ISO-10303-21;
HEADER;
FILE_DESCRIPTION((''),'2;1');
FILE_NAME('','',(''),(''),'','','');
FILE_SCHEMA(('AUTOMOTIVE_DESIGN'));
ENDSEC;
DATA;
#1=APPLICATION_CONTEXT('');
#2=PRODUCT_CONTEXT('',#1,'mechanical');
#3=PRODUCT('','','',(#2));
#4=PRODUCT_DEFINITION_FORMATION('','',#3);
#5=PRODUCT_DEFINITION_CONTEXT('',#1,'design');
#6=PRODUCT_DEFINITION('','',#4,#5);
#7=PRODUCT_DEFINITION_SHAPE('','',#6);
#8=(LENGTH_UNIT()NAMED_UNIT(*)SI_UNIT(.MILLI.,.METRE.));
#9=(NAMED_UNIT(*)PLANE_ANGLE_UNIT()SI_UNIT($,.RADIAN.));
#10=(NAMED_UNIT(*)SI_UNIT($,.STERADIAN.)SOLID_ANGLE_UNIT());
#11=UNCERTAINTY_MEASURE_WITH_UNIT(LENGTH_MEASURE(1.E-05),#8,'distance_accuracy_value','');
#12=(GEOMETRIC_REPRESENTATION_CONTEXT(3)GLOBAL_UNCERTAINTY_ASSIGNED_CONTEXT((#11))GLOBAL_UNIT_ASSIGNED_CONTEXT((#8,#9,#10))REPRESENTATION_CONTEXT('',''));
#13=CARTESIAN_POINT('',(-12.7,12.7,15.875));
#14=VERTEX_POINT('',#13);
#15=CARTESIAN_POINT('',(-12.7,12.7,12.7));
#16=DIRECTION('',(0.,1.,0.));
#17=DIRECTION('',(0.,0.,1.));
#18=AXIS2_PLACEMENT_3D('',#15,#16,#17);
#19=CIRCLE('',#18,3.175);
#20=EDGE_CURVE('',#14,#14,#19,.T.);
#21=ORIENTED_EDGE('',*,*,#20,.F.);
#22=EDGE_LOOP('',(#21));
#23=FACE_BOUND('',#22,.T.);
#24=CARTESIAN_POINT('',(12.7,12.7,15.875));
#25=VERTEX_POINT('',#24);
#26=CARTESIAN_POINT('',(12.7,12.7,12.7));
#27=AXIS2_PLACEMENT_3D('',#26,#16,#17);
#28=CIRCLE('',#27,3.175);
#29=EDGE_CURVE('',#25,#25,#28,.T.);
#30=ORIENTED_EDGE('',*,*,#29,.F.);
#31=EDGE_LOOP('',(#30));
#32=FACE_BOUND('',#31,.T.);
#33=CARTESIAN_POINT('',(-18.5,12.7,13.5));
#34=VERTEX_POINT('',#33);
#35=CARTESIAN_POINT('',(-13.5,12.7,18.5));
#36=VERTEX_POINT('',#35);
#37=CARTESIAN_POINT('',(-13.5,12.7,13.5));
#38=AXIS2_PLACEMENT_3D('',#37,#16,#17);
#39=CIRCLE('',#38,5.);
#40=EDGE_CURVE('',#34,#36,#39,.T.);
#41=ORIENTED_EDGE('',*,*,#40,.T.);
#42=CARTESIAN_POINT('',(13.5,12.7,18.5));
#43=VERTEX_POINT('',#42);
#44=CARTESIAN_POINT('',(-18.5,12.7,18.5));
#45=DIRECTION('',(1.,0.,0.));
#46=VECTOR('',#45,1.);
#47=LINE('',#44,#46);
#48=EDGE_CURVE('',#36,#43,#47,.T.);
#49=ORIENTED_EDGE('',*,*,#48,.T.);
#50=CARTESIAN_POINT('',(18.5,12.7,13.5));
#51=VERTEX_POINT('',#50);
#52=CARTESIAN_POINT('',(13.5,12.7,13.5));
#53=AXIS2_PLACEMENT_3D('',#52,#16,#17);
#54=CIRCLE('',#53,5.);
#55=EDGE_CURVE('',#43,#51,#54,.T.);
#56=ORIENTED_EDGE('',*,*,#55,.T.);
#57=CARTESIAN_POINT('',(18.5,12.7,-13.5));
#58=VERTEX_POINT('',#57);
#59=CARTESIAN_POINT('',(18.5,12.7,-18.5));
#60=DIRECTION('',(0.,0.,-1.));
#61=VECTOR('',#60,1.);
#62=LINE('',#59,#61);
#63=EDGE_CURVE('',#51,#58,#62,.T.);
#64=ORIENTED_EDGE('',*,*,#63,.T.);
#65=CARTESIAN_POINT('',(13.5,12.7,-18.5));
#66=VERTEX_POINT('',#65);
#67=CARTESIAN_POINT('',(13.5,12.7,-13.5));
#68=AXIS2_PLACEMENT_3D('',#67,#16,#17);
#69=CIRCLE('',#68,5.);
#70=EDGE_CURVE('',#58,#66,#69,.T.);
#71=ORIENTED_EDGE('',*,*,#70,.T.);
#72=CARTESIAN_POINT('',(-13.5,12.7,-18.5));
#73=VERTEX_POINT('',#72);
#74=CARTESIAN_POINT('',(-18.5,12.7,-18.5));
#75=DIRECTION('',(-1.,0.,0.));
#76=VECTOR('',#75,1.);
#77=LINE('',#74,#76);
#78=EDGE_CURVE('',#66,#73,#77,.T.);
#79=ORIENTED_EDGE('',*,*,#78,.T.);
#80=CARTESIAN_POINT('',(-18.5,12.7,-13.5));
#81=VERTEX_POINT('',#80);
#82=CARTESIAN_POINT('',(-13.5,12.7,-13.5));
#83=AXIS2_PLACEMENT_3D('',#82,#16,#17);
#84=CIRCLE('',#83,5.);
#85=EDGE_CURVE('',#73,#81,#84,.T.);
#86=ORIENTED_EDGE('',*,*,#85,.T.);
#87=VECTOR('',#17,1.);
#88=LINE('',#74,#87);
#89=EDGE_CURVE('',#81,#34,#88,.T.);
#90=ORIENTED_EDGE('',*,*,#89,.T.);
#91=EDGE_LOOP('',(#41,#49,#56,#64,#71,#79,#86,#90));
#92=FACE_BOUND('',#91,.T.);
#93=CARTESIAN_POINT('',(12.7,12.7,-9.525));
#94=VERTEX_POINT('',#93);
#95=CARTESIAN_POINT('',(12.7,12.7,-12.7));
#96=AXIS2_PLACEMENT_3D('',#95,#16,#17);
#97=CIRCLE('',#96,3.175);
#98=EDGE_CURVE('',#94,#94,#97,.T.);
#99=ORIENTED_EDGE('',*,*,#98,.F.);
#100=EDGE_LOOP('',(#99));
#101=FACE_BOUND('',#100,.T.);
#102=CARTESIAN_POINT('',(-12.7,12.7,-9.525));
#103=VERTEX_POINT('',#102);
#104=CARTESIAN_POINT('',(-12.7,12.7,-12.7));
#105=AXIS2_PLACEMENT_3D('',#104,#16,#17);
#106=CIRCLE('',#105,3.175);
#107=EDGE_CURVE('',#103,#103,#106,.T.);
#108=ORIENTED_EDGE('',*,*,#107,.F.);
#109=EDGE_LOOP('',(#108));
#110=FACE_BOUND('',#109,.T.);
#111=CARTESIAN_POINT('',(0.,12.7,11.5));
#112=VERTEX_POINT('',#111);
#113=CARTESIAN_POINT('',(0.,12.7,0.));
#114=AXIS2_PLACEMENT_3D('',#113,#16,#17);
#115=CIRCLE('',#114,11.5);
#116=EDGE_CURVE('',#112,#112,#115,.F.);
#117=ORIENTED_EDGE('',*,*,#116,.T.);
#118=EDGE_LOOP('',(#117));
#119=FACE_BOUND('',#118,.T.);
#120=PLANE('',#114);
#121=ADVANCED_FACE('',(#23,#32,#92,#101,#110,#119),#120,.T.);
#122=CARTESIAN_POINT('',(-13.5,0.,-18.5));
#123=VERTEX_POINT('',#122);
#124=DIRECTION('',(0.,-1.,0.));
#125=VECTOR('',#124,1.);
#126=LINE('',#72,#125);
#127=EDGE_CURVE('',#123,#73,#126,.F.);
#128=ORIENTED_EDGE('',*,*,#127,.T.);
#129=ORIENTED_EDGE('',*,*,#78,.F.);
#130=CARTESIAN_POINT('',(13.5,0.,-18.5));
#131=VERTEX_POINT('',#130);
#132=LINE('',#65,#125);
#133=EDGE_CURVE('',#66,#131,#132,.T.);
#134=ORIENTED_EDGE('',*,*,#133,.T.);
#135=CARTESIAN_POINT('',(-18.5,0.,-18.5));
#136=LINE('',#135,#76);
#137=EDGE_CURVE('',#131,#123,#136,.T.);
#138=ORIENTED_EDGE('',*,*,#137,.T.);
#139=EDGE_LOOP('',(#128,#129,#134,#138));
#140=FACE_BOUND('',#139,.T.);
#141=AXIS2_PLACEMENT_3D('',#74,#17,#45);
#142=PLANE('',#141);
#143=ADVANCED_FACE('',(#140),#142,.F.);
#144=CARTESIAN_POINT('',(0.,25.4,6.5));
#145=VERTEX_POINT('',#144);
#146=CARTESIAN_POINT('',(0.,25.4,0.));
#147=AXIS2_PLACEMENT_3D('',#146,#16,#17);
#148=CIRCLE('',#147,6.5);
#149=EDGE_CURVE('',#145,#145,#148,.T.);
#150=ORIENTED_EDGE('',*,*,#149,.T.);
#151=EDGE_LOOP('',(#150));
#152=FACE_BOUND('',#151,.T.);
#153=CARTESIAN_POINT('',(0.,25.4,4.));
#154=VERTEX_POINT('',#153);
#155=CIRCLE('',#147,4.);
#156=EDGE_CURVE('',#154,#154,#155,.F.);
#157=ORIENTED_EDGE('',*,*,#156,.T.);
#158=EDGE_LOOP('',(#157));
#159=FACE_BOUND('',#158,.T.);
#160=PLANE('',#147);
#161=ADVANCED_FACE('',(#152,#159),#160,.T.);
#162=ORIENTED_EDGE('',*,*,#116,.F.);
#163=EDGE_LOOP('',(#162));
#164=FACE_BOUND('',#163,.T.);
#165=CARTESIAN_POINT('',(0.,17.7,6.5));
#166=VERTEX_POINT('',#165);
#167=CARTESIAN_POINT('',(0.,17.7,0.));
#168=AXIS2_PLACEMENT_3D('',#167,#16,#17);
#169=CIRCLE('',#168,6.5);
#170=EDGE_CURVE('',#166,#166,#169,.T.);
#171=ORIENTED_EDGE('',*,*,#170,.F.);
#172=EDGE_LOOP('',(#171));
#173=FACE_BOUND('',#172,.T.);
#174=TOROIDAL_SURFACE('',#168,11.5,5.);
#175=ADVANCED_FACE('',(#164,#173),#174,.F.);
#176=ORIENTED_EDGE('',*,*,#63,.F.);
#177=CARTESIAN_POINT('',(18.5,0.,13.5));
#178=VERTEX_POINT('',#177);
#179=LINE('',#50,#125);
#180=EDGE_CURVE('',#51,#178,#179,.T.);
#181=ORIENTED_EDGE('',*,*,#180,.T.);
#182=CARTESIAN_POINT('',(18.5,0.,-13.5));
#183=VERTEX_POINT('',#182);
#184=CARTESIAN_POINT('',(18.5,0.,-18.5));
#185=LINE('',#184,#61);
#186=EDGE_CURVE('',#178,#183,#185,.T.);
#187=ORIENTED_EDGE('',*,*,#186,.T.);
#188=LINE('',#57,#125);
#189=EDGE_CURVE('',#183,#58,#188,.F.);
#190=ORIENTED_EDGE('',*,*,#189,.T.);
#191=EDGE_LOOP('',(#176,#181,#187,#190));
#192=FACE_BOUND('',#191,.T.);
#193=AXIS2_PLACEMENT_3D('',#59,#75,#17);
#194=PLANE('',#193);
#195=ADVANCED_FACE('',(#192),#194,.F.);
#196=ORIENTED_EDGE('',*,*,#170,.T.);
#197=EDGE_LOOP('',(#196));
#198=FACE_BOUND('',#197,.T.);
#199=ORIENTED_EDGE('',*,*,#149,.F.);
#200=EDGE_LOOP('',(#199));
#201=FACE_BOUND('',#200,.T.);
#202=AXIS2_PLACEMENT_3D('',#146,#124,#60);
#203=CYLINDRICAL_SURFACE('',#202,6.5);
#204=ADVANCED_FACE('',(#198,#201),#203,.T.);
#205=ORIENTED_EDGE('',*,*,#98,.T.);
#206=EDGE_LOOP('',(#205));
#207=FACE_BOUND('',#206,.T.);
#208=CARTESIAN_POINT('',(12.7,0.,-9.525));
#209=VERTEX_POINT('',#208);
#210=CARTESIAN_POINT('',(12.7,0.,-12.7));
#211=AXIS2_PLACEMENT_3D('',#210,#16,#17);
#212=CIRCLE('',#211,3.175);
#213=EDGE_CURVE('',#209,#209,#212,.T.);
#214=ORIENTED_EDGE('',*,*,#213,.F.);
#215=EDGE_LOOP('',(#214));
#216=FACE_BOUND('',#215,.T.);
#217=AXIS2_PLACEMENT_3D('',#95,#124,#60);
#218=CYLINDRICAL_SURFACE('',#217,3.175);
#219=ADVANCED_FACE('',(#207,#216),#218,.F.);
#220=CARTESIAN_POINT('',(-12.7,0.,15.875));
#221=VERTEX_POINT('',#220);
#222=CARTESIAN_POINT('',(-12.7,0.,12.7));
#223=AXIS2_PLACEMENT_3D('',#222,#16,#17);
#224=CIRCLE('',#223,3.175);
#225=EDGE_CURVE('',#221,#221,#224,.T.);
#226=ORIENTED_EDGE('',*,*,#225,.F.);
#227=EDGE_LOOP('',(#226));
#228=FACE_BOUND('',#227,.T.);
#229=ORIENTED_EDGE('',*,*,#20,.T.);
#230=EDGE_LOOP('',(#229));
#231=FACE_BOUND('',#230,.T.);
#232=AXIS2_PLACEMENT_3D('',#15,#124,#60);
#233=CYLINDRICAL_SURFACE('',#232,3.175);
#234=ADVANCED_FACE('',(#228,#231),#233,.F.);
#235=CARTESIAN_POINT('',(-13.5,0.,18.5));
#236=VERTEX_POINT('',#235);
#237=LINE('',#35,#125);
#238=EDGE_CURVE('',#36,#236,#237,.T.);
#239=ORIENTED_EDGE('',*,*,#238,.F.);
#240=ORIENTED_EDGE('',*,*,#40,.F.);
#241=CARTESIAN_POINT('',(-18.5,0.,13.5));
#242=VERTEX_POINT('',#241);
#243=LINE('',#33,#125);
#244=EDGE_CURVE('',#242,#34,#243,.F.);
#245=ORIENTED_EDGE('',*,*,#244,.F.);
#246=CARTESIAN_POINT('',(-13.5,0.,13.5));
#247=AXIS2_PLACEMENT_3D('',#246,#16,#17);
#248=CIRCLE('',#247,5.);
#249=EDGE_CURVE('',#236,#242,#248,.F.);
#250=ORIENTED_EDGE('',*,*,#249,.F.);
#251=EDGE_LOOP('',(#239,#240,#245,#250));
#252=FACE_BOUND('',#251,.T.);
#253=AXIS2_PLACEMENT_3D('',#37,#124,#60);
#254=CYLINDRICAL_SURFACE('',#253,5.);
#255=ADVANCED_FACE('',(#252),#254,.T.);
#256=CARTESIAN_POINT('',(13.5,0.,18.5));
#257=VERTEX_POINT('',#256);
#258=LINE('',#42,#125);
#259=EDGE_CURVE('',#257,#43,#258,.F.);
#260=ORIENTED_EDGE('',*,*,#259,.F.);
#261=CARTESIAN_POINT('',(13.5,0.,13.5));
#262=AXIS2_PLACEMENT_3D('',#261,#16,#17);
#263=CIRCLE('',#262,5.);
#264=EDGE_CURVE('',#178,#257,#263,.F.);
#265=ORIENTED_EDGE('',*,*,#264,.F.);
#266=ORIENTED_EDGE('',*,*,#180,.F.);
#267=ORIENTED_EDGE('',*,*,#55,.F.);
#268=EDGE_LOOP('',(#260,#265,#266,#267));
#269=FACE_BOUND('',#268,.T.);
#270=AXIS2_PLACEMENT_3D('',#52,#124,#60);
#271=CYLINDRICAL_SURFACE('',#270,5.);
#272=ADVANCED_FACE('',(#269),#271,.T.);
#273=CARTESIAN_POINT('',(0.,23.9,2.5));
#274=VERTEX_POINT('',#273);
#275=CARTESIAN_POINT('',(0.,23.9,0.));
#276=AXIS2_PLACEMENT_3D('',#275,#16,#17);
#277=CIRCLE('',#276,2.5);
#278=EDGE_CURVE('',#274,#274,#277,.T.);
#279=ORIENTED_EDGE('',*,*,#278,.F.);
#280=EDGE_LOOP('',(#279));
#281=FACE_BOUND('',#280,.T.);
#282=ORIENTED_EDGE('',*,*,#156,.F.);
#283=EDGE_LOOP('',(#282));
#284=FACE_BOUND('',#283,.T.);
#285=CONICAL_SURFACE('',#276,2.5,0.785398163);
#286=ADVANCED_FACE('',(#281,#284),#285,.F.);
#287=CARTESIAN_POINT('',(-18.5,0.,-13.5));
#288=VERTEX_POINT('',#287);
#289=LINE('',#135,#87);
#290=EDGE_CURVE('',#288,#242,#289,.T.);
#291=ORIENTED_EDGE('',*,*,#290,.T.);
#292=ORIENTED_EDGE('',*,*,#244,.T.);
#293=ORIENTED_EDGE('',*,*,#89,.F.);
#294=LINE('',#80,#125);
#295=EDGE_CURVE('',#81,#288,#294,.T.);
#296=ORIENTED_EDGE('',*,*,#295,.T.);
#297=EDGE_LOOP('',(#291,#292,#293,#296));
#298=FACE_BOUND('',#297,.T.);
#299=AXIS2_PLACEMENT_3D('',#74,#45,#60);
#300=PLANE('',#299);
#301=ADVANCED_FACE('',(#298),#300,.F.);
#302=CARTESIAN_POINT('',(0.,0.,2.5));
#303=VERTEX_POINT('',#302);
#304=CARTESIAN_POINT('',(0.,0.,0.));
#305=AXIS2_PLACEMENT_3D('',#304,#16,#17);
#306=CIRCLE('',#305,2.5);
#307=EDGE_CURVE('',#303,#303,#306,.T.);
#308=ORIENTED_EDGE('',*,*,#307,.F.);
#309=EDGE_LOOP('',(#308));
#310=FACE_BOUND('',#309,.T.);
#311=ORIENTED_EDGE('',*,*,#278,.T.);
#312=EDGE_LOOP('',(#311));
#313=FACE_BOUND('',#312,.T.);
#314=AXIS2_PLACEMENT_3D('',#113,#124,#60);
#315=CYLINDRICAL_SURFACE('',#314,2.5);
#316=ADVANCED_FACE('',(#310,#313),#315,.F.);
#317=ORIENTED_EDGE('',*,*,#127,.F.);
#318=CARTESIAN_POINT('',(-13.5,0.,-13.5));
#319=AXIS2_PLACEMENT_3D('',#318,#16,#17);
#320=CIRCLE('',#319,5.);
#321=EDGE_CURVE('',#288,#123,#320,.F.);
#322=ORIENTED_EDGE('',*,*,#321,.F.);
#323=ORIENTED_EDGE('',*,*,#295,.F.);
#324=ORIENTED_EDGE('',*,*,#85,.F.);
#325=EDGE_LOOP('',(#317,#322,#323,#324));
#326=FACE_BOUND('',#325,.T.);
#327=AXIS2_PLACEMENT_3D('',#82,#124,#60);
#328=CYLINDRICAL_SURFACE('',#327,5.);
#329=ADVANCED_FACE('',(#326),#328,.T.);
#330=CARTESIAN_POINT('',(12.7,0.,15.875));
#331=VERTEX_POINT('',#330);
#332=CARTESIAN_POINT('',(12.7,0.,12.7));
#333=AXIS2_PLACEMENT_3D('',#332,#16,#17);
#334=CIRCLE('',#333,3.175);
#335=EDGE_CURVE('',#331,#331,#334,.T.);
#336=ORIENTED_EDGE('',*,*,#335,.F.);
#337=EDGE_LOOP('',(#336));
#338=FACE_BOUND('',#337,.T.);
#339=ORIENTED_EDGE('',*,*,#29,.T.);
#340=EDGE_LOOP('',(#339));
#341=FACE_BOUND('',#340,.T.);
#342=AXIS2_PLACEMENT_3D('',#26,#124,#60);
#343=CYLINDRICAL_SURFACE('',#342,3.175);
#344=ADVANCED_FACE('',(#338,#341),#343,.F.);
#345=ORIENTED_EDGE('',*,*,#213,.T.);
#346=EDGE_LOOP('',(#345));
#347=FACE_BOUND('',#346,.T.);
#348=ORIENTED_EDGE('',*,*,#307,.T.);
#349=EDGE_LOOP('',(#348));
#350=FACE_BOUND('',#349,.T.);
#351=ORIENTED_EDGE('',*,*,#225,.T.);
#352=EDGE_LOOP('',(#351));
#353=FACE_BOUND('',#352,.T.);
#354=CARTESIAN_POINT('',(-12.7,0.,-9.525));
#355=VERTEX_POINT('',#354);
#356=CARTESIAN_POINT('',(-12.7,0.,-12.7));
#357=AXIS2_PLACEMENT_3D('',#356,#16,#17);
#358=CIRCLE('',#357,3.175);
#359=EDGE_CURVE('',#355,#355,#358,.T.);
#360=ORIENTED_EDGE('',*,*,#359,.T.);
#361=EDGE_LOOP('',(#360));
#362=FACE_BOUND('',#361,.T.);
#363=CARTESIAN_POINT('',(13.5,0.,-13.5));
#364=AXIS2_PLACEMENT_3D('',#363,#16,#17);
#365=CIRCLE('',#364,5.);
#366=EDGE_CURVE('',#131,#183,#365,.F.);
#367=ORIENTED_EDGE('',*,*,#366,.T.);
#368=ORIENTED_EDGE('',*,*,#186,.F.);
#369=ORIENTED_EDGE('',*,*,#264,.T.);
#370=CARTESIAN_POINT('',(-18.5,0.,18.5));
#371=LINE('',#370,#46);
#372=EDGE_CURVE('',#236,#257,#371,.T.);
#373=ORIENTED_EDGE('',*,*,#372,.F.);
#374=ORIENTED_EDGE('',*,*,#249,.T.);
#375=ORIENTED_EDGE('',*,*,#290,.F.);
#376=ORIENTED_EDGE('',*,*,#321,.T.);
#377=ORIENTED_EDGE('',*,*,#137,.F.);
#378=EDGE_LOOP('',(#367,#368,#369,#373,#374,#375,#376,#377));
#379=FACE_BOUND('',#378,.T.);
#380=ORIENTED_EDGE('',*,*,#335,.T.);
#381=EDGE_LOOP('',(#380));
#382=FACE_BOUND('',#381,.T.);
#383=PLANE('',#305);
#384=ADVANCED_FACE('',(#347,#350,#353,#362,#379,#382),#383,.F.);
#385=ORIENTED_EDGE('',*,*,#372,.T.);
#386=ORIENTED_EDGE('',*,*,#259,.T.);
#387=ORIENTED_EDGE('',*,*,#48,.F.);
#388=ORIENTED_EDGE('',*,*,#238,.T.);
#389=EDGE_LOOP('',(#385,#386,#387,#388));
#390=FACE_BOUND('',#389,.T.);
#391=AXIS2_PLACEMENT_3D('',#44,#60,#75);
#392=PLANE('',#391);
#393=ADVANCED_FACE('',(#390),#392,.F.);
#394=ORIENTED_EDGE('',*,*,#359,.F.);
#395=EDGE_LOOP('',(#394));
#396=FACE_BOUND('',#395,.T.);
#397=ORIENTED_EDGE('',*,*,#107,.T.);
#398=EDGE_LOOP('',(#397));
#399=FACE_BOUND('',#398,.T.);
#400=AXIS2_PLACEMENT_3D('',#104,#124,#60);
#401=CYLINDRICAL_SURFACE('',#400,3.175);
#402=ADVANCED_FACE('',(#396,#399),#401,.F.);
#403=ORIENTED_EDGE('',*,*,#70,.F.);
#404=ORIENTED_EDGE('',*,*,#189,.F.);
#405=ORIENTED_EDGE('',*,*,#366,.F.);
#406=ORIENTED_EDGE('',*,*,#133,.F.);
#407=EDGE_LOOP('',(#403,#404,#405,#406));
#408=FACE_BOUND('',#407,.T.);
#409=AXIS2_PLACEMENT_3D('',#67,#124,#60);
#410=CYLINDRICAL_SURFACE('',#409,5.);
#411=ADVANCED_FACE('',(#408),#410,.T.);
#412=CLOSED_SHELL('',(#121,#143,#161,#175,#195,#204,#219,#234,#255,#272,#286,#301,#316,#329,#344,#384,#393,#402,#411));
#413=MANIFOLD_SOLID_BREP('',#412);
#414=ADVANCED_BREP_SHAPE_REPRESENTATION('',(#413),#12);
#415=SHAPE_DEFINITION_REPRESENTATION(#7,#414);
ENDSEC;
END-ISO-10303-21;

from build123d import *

# Parameters (mm, degrees)
SKETCH1_W           = 37
SKETCH1_H           = 37
SKETCH1_R           = 2.5
SKETCH1_R_2         = 3.175
BOSS_EXTRUDE1_DEPTH = 12.7
SKETCH2_R           = 6.5
SKETCH2_R_2         = 2.5
BOSS_EXTRUDE2_DEPTH = 12.7
FILLET1_R           = 5
CHAMFER1_SIZE       = 1.5


with BuildPart() as part:
    # Sketch1 → Boss-Extrude1 (new body)
    with BuildSketch(Plane(origin=(0, 0, 0), x_dir=(1, 0, 0), z_dir=(0, 1, 0))):
        Rectangle(SKETCH1_W, SKETCH1_H)
        Circle(SKETCH1_R, mode=Mode.SUBTRACT)
        with Locations((-12.7, -12.7)):
            Circle(SKETCH1_R_2, mode=Mode.SUBTRACT)
        with Locations((12.7, -12.7)):
            Circle(SKETCH1_R_2, mode=Mode.SUBTRACT)
        with Locations((12.7, 12.7)):
            Circle(SKETCH1_R_2, mode=Mode.SUBTRACT)
        with Locations((-12.7, 12.7)):
            Circle(SKETCH1_R_2, mode=Mode.SUBTRACT)
    extrude(amount=BOSS_EXTRUDE1_DEPTH)

    # Sketch2 → Boss-Extrude2 (add)
    with BuildSketch(Plane(origin=(0, 12.7, 0), x_dir=(1, 0, 0), z_dir=(0, 1, 0))):
        Circle(SKETCH2_R)
        Circle(SKETCH2_R_2, mode=Mode.SUBTRACT)
    extrude(amount=BOSS_EXTRUDE2_DEPTH)

    # Fillet1
    fillet1_edges = [part.edges().sort_by_distance(p)[0] for p in [
        (-6.5, 12.7, 0),
        (18.5, 6.35, 18.5),
        (-18.5, 6.35, 18.5),
        (-18.5, 6.35, -18.5),
        (18.5, 6.35, -18.5),
    ]]
    fillet(fillet1_edges, radius=FILLET1_R)

    # Chamfer1
    chamfer1_edges = [part.edges().sort_by_distance(p)[0] for p in [
        (-2.5, 25.4, 0),
    ]]
    chamfer(chamfer1_edges, length=CHAMFER1_SIZE)


solid = part.part
